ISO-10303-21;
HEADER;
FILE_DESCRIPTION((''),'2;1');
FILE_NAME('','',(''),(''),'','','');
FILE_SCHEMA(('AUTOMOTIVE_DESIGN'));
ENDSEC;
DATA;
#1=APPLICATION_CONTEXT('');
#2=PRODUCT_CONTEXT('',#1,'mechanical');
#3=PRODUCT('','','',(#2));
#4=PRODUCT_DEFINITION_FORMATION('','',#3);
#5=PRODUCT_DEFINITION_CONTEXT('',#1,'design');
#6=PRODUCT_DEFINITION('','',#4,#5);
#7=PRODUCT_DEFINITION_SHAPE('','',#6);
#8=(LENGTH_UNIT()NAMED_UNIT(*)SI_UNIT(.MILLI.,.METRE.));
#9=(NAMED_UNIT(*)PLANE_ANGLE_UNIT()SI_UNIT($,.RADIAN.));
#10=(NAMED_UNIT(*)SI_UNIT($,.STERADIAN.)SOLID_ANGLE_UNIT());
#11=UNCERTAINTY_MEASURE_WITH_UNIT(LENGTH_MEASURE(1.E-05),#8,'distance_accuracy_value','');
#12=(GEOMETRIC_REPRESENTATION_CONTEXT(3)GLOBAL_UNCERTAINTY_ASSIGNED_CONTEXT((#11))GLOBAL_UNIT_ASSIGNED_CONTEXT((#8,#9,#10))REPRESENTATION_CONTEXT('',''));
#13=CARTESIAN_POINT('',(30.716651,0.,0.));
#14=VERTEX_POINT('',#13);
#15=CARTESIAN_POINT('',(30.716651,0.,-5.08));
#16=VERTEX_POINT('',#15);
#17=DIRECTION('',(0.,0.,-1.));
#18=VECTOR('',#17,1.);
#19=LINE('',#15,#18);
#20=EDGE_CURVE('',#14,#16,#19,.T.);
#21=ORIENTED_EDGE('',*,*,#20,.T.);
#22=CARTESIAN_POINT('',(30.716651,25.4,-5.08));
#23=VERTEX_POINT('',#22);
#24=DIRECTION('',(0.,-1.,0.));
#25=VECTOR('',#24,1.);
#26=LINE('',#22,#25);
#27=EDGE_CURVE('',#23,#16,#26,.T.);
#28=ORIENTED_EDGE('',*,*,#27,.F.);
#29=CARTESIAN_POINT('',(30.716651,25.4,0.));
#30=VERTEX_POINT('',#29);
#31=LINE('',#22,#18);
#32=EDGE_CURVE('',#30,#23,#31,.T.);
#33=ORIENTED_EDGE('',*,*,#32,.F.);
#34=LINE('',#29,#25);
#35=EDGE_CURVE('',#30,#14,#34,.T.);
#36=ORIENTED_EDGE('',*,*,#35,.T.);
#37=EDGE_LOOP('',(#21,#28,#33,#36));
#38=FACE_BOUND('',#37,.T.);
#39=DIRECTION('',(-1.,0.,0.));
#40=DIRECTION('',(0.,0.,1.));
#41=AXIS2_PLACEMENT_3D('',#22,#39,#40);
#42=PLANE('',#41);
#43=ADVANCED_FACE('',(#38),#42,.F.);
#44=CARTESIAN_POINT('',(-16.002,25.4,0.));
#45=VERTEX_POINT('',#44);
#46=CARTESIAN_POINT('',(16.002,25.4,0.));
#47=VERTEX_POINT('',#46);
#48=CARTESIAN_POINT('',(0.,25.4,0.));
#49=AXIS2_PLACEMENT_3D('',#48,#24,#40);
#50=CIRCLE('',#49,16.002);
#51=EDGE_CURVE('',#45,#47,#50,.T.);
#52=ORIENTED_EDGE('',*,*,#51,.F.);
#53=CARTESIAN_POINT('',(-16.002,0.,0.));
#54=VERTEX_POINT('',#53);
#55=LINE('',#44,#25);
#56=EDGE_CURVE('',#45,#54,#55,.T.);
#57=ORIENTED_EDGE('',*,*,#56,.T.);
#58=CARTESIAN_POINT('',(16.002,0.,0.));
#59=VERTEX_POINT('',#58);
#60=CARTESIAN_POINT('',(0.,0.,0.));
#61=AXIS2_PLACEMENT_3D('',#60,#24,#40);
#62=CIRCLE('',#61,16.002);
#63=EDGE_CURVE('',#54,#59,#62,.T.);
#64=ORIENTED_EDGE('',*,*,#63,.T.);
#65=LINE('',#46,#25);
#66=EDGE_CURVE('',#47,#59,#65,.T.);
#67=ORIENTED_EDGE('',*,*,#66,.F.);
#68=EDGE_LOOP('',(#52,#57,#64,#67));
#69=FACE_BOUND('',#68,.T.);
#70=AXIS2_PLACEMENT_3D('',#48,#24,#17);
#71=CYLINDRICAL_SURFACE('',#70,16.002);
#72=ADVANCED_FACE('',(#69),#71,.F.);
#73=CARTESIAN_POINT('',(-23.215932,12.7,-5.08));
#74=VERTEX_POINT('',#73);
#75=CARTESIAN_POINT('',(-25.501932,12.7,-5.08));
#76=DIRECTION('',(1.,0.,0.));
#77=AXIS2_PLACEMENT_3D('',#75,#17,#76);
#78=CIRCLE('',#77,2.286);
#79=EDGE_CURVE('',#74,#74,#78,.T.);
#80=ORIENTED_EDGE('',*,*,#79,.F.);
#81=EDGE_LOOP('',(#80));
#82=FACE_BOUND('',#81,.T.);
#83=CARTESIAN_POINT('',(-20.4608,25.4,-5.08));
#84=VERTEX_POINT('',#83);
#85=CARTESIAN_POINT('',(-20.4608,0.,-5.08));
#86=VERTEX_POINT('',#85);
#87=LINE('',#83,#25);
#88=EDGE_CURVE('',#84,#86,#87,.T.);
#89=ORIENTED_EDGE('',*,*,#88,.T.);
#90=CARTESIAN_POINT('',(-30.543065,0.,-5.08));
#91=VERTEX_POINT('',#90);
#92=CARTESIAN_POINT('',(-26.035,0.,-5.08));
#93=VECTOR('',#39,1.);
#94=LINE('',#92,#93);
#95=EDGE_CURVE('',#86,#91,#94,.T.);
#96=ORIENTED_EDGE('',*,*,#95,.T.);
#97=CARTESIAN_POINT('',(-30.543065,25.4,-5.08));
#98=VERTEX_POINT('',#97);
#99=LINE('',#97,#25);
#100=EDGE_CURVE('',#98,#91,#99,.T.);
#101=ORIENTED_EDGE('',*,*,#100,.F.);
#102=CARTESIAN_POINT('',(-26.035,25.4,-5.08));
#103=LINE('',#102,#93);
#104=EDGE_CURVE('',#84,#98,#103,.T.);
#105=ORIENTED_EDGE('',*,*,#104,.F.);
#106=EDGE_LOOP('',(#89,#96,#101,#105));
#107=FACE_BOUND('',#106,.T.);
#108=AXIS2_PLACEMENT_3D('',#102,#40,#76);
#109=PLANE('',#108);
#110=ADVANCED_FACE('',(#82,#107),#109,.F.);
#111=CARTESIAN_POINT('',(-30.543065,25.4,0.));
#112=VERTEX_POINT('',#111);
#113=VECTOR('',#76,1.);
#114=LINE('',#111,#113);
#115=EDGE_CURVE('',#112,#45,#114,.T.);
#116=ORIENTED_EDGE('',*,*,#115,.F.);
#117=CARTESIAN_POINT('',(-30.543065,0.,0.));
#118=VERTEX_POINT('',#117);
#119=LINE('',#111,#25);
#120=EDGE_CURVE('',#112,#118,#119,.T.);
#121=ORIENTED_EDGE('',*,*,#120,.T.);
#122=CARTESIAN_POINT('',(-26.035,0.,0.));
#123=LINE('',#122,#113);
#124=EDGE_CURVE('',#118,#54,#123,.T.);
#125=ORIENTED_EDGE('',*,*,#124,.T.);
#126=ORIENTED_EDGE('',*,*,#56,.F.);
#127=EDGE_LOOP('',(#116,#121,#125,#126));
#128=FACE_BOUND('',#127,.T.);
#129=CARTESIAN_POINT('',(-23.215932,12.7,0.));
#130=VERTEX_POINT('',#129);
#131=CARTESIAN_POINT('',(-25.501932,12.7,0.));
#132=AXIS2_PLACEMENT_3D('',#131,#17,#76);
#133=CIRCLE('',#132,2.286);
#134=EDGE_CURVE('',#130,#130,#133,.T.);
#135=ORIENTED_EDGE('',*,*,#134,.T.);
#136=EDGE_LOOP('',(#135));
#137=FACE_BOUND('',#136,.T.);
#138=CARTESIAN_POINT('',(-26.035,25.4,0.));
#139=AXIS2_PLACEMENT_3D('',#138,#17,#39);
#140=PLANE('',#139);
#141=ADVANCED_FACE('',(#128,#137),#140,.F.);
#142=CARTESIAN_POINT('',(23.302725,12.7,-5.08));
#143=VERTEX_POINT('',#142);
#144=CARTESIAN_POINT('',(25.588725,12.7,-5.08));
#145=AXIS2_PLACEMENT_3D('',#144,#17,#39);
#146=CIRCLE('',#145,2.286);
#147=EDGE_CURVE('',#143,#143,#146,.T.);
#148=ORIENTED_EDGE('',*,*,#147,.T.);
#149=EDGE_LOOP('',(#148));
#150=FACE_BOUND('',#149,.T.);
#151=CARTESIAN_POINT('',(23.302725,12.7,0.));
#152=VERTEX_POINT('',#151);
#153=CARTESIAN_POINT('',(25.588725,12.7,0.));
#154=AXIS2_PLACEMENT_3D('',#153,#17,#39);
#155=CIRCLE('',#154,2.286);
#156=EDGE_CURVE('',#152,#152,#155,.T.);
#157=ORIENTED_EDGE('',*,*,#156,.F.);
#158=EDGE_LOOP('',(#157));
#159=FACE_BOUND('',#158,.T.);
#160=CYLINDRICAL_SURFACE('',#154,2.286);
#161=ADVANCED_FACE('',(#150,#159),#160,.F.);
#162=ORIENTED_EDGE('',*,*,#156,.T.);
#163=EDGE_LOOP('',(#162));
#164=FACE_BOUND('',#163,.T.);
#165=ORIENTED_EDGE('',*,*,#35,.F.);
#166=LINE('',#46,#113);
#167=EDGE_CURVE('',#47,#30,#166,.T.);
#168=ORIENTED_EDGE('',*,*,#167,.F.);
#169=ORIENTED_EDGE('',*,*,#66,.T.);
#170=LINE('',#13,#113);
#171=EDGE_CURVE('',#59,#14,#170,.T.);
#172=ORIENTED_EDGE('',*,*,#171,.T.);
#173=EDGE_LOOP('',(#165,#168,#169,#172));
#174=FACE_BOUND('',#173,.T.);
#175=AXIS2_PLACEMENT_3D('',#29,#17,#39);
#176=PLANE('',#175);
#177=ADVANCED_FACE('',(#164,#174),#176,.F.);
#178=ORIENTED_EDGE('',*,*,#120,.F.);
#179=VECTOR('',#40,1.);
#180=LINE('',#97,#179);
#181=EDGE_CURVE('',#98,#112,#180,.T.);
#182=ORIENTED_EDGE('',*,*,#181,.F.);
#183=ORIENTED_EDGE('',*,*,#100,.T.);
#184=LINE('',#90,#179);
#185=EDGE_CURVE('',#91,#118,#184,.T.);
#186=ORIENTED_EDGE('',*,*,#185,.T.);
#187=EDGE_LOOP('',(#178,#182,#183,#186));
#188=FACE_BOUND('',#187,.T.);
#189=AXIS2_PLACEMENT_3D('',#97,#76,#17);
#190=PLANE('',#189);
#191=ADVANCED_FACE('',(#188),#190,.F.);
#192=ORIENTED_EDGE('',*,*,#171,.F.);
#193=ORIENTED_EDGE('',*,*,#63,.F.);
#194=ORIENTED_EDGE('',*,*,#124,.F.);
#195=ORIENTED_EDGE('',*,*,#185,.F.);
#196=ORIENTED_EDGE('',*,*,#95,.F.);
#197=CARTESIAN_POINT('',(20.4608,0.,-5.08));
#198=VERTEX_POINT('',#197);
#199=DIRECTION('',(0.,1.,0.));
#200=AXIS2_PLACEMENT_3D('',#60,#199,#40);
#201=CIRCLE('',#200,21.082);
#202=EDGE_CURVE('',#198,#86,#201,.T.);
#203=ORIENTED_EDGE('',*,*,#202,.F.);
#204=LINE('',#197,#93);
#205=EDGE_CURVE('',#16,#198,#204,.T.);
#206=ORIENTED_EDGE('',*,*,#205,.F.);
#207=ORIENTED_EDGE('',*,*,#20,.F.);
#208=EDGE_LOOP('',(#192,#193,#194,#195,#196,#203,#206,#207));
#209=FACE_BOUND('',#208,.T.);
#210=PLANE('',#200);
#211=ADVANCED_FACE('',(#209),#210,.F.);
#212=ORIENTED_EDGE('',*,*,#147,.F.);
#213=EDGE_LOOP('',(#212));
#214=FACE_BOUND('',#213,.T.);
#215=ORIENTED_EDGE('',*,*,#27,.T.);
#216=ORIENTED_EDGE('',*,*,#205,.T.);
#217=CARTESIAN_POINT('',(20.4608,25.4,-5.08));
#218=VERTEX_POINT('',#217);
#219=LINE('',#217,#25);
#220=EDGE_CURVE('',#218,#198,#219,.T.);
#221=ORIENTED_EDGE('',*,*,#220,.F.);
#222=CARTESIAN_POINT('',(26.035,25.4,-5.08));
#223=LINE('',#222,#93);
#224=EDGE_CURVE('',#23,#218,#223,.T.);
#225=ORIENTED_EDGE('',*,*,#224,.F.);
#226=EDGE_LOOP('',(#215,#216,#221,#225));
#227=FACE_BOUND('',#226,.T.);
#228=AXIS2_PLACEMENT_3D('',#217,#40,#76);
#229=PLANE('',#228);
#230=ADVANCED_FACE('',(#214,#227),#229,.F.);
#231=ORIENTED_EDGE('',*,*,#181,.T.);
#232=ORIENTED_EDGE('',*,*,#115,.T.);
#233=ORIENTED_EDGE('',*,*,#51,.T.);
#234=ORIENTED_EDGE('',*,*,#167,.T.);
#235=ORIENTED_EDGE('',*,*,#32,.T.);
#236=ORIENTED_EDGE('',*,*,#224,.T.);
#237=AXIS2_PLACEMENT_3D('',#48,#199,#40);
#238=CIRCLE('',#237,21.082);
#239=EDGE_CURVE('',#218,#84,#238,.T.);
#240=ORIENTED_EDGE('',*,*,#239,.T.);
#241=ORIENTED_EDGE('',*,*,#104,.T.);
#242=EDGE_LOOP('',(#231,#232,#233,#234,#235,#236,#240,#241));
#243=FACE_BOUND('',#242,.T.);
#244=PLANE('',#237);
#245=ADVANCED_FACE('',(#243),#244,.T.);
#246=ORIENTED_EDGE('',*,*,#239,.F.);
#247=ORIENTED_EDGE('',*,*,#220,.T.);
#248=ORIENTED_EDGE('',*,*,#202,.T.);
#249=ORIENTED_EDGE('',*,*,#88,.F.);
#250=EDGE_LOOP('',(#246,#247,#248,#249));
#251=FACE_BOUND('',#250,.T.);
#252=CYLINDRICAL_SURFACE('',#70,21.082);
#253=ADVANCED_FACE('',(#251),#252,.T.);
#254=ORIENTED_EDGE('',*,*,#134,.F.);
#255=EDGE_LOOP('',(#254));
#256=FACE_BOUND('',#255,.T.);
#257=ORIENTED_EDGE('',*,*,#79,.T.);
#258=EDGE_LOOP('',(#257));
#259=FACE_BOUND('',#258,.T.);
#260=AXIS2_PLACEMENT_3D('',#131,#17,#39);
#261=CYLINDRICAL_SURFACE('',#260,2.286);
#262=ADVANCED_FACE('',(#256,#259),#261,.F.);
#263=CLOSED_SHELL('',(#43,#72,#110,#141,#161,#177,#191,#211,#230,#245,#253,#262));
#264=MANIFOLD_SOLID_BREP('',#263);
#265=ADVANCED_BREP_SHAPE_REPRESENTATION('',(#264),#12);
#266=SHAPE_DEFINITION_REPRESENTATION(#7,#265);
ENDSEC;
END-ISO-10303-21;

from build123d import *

# Parameters (mm, degrees)
BOSS_EXTRUDE1_DEPTH = 25.4
SKETCH2_R           = 2.286
CUT_EXTRUDE1_DEPTH  = 6.08


with BuildPart() as part:
    # Sketch1 → Boss-Extrude1 (new body)
    with BuildSketch(Plane(origin=(0, 0, 0), x_dir=(1, 0, 0), z_dir=(0, 1, 0))):
        with BuildLine():
            Line((-26.035, 0), (-16.002, 0))
            ThreePointArc((-16.002, 0), (0, 16.002), (16.002, 0))
            Line((16.002, 0), (26.035, 0))
            Line((26.035, 0), (30.716650549, 0))
            Line((30.716650549, 0), (30.716650549, 5.08))
            Line((30.716650549, 5.08), (26.035, 5.08))
            Line((26.035, 5.08), (20.460799691, 5.08))
            ThreePointArc((20.460799691, 5.08), (0, 21.082), (-20.460799691, 5.08))
            Line((-20.460799691, 5.08), (-26.035, 5.08))
            Line((-26.035, 5.08), (-30.543065264, 5.08))
            Line((-30.543065264, 5.08), (-30.543065264, 0))
            Line((-30.543065264, 0), (-26.035, 0))
        make_face()
    extrude(amount=BOSS_EXTRUDE1_DEPTH)

    # Sketch2 → Cut-Extrude1 (cut, through all)
    with BuildSketch(Plane(origin=(0, 0, -5.08), x_dir=(-1, 0, 0), z_dir=(0, 0, -1))):
        with Locations((-25.58872512, 12.7)):
            Circle(SKETCH2_R)
        with Locations((25.501932478, 12.7)):
            Circle(SKETCH2_R)
    extrude(amount=-CUT_EXTRUDE1_DEPTH, mode=Mode.SUBTRACT)


solid = part.part
